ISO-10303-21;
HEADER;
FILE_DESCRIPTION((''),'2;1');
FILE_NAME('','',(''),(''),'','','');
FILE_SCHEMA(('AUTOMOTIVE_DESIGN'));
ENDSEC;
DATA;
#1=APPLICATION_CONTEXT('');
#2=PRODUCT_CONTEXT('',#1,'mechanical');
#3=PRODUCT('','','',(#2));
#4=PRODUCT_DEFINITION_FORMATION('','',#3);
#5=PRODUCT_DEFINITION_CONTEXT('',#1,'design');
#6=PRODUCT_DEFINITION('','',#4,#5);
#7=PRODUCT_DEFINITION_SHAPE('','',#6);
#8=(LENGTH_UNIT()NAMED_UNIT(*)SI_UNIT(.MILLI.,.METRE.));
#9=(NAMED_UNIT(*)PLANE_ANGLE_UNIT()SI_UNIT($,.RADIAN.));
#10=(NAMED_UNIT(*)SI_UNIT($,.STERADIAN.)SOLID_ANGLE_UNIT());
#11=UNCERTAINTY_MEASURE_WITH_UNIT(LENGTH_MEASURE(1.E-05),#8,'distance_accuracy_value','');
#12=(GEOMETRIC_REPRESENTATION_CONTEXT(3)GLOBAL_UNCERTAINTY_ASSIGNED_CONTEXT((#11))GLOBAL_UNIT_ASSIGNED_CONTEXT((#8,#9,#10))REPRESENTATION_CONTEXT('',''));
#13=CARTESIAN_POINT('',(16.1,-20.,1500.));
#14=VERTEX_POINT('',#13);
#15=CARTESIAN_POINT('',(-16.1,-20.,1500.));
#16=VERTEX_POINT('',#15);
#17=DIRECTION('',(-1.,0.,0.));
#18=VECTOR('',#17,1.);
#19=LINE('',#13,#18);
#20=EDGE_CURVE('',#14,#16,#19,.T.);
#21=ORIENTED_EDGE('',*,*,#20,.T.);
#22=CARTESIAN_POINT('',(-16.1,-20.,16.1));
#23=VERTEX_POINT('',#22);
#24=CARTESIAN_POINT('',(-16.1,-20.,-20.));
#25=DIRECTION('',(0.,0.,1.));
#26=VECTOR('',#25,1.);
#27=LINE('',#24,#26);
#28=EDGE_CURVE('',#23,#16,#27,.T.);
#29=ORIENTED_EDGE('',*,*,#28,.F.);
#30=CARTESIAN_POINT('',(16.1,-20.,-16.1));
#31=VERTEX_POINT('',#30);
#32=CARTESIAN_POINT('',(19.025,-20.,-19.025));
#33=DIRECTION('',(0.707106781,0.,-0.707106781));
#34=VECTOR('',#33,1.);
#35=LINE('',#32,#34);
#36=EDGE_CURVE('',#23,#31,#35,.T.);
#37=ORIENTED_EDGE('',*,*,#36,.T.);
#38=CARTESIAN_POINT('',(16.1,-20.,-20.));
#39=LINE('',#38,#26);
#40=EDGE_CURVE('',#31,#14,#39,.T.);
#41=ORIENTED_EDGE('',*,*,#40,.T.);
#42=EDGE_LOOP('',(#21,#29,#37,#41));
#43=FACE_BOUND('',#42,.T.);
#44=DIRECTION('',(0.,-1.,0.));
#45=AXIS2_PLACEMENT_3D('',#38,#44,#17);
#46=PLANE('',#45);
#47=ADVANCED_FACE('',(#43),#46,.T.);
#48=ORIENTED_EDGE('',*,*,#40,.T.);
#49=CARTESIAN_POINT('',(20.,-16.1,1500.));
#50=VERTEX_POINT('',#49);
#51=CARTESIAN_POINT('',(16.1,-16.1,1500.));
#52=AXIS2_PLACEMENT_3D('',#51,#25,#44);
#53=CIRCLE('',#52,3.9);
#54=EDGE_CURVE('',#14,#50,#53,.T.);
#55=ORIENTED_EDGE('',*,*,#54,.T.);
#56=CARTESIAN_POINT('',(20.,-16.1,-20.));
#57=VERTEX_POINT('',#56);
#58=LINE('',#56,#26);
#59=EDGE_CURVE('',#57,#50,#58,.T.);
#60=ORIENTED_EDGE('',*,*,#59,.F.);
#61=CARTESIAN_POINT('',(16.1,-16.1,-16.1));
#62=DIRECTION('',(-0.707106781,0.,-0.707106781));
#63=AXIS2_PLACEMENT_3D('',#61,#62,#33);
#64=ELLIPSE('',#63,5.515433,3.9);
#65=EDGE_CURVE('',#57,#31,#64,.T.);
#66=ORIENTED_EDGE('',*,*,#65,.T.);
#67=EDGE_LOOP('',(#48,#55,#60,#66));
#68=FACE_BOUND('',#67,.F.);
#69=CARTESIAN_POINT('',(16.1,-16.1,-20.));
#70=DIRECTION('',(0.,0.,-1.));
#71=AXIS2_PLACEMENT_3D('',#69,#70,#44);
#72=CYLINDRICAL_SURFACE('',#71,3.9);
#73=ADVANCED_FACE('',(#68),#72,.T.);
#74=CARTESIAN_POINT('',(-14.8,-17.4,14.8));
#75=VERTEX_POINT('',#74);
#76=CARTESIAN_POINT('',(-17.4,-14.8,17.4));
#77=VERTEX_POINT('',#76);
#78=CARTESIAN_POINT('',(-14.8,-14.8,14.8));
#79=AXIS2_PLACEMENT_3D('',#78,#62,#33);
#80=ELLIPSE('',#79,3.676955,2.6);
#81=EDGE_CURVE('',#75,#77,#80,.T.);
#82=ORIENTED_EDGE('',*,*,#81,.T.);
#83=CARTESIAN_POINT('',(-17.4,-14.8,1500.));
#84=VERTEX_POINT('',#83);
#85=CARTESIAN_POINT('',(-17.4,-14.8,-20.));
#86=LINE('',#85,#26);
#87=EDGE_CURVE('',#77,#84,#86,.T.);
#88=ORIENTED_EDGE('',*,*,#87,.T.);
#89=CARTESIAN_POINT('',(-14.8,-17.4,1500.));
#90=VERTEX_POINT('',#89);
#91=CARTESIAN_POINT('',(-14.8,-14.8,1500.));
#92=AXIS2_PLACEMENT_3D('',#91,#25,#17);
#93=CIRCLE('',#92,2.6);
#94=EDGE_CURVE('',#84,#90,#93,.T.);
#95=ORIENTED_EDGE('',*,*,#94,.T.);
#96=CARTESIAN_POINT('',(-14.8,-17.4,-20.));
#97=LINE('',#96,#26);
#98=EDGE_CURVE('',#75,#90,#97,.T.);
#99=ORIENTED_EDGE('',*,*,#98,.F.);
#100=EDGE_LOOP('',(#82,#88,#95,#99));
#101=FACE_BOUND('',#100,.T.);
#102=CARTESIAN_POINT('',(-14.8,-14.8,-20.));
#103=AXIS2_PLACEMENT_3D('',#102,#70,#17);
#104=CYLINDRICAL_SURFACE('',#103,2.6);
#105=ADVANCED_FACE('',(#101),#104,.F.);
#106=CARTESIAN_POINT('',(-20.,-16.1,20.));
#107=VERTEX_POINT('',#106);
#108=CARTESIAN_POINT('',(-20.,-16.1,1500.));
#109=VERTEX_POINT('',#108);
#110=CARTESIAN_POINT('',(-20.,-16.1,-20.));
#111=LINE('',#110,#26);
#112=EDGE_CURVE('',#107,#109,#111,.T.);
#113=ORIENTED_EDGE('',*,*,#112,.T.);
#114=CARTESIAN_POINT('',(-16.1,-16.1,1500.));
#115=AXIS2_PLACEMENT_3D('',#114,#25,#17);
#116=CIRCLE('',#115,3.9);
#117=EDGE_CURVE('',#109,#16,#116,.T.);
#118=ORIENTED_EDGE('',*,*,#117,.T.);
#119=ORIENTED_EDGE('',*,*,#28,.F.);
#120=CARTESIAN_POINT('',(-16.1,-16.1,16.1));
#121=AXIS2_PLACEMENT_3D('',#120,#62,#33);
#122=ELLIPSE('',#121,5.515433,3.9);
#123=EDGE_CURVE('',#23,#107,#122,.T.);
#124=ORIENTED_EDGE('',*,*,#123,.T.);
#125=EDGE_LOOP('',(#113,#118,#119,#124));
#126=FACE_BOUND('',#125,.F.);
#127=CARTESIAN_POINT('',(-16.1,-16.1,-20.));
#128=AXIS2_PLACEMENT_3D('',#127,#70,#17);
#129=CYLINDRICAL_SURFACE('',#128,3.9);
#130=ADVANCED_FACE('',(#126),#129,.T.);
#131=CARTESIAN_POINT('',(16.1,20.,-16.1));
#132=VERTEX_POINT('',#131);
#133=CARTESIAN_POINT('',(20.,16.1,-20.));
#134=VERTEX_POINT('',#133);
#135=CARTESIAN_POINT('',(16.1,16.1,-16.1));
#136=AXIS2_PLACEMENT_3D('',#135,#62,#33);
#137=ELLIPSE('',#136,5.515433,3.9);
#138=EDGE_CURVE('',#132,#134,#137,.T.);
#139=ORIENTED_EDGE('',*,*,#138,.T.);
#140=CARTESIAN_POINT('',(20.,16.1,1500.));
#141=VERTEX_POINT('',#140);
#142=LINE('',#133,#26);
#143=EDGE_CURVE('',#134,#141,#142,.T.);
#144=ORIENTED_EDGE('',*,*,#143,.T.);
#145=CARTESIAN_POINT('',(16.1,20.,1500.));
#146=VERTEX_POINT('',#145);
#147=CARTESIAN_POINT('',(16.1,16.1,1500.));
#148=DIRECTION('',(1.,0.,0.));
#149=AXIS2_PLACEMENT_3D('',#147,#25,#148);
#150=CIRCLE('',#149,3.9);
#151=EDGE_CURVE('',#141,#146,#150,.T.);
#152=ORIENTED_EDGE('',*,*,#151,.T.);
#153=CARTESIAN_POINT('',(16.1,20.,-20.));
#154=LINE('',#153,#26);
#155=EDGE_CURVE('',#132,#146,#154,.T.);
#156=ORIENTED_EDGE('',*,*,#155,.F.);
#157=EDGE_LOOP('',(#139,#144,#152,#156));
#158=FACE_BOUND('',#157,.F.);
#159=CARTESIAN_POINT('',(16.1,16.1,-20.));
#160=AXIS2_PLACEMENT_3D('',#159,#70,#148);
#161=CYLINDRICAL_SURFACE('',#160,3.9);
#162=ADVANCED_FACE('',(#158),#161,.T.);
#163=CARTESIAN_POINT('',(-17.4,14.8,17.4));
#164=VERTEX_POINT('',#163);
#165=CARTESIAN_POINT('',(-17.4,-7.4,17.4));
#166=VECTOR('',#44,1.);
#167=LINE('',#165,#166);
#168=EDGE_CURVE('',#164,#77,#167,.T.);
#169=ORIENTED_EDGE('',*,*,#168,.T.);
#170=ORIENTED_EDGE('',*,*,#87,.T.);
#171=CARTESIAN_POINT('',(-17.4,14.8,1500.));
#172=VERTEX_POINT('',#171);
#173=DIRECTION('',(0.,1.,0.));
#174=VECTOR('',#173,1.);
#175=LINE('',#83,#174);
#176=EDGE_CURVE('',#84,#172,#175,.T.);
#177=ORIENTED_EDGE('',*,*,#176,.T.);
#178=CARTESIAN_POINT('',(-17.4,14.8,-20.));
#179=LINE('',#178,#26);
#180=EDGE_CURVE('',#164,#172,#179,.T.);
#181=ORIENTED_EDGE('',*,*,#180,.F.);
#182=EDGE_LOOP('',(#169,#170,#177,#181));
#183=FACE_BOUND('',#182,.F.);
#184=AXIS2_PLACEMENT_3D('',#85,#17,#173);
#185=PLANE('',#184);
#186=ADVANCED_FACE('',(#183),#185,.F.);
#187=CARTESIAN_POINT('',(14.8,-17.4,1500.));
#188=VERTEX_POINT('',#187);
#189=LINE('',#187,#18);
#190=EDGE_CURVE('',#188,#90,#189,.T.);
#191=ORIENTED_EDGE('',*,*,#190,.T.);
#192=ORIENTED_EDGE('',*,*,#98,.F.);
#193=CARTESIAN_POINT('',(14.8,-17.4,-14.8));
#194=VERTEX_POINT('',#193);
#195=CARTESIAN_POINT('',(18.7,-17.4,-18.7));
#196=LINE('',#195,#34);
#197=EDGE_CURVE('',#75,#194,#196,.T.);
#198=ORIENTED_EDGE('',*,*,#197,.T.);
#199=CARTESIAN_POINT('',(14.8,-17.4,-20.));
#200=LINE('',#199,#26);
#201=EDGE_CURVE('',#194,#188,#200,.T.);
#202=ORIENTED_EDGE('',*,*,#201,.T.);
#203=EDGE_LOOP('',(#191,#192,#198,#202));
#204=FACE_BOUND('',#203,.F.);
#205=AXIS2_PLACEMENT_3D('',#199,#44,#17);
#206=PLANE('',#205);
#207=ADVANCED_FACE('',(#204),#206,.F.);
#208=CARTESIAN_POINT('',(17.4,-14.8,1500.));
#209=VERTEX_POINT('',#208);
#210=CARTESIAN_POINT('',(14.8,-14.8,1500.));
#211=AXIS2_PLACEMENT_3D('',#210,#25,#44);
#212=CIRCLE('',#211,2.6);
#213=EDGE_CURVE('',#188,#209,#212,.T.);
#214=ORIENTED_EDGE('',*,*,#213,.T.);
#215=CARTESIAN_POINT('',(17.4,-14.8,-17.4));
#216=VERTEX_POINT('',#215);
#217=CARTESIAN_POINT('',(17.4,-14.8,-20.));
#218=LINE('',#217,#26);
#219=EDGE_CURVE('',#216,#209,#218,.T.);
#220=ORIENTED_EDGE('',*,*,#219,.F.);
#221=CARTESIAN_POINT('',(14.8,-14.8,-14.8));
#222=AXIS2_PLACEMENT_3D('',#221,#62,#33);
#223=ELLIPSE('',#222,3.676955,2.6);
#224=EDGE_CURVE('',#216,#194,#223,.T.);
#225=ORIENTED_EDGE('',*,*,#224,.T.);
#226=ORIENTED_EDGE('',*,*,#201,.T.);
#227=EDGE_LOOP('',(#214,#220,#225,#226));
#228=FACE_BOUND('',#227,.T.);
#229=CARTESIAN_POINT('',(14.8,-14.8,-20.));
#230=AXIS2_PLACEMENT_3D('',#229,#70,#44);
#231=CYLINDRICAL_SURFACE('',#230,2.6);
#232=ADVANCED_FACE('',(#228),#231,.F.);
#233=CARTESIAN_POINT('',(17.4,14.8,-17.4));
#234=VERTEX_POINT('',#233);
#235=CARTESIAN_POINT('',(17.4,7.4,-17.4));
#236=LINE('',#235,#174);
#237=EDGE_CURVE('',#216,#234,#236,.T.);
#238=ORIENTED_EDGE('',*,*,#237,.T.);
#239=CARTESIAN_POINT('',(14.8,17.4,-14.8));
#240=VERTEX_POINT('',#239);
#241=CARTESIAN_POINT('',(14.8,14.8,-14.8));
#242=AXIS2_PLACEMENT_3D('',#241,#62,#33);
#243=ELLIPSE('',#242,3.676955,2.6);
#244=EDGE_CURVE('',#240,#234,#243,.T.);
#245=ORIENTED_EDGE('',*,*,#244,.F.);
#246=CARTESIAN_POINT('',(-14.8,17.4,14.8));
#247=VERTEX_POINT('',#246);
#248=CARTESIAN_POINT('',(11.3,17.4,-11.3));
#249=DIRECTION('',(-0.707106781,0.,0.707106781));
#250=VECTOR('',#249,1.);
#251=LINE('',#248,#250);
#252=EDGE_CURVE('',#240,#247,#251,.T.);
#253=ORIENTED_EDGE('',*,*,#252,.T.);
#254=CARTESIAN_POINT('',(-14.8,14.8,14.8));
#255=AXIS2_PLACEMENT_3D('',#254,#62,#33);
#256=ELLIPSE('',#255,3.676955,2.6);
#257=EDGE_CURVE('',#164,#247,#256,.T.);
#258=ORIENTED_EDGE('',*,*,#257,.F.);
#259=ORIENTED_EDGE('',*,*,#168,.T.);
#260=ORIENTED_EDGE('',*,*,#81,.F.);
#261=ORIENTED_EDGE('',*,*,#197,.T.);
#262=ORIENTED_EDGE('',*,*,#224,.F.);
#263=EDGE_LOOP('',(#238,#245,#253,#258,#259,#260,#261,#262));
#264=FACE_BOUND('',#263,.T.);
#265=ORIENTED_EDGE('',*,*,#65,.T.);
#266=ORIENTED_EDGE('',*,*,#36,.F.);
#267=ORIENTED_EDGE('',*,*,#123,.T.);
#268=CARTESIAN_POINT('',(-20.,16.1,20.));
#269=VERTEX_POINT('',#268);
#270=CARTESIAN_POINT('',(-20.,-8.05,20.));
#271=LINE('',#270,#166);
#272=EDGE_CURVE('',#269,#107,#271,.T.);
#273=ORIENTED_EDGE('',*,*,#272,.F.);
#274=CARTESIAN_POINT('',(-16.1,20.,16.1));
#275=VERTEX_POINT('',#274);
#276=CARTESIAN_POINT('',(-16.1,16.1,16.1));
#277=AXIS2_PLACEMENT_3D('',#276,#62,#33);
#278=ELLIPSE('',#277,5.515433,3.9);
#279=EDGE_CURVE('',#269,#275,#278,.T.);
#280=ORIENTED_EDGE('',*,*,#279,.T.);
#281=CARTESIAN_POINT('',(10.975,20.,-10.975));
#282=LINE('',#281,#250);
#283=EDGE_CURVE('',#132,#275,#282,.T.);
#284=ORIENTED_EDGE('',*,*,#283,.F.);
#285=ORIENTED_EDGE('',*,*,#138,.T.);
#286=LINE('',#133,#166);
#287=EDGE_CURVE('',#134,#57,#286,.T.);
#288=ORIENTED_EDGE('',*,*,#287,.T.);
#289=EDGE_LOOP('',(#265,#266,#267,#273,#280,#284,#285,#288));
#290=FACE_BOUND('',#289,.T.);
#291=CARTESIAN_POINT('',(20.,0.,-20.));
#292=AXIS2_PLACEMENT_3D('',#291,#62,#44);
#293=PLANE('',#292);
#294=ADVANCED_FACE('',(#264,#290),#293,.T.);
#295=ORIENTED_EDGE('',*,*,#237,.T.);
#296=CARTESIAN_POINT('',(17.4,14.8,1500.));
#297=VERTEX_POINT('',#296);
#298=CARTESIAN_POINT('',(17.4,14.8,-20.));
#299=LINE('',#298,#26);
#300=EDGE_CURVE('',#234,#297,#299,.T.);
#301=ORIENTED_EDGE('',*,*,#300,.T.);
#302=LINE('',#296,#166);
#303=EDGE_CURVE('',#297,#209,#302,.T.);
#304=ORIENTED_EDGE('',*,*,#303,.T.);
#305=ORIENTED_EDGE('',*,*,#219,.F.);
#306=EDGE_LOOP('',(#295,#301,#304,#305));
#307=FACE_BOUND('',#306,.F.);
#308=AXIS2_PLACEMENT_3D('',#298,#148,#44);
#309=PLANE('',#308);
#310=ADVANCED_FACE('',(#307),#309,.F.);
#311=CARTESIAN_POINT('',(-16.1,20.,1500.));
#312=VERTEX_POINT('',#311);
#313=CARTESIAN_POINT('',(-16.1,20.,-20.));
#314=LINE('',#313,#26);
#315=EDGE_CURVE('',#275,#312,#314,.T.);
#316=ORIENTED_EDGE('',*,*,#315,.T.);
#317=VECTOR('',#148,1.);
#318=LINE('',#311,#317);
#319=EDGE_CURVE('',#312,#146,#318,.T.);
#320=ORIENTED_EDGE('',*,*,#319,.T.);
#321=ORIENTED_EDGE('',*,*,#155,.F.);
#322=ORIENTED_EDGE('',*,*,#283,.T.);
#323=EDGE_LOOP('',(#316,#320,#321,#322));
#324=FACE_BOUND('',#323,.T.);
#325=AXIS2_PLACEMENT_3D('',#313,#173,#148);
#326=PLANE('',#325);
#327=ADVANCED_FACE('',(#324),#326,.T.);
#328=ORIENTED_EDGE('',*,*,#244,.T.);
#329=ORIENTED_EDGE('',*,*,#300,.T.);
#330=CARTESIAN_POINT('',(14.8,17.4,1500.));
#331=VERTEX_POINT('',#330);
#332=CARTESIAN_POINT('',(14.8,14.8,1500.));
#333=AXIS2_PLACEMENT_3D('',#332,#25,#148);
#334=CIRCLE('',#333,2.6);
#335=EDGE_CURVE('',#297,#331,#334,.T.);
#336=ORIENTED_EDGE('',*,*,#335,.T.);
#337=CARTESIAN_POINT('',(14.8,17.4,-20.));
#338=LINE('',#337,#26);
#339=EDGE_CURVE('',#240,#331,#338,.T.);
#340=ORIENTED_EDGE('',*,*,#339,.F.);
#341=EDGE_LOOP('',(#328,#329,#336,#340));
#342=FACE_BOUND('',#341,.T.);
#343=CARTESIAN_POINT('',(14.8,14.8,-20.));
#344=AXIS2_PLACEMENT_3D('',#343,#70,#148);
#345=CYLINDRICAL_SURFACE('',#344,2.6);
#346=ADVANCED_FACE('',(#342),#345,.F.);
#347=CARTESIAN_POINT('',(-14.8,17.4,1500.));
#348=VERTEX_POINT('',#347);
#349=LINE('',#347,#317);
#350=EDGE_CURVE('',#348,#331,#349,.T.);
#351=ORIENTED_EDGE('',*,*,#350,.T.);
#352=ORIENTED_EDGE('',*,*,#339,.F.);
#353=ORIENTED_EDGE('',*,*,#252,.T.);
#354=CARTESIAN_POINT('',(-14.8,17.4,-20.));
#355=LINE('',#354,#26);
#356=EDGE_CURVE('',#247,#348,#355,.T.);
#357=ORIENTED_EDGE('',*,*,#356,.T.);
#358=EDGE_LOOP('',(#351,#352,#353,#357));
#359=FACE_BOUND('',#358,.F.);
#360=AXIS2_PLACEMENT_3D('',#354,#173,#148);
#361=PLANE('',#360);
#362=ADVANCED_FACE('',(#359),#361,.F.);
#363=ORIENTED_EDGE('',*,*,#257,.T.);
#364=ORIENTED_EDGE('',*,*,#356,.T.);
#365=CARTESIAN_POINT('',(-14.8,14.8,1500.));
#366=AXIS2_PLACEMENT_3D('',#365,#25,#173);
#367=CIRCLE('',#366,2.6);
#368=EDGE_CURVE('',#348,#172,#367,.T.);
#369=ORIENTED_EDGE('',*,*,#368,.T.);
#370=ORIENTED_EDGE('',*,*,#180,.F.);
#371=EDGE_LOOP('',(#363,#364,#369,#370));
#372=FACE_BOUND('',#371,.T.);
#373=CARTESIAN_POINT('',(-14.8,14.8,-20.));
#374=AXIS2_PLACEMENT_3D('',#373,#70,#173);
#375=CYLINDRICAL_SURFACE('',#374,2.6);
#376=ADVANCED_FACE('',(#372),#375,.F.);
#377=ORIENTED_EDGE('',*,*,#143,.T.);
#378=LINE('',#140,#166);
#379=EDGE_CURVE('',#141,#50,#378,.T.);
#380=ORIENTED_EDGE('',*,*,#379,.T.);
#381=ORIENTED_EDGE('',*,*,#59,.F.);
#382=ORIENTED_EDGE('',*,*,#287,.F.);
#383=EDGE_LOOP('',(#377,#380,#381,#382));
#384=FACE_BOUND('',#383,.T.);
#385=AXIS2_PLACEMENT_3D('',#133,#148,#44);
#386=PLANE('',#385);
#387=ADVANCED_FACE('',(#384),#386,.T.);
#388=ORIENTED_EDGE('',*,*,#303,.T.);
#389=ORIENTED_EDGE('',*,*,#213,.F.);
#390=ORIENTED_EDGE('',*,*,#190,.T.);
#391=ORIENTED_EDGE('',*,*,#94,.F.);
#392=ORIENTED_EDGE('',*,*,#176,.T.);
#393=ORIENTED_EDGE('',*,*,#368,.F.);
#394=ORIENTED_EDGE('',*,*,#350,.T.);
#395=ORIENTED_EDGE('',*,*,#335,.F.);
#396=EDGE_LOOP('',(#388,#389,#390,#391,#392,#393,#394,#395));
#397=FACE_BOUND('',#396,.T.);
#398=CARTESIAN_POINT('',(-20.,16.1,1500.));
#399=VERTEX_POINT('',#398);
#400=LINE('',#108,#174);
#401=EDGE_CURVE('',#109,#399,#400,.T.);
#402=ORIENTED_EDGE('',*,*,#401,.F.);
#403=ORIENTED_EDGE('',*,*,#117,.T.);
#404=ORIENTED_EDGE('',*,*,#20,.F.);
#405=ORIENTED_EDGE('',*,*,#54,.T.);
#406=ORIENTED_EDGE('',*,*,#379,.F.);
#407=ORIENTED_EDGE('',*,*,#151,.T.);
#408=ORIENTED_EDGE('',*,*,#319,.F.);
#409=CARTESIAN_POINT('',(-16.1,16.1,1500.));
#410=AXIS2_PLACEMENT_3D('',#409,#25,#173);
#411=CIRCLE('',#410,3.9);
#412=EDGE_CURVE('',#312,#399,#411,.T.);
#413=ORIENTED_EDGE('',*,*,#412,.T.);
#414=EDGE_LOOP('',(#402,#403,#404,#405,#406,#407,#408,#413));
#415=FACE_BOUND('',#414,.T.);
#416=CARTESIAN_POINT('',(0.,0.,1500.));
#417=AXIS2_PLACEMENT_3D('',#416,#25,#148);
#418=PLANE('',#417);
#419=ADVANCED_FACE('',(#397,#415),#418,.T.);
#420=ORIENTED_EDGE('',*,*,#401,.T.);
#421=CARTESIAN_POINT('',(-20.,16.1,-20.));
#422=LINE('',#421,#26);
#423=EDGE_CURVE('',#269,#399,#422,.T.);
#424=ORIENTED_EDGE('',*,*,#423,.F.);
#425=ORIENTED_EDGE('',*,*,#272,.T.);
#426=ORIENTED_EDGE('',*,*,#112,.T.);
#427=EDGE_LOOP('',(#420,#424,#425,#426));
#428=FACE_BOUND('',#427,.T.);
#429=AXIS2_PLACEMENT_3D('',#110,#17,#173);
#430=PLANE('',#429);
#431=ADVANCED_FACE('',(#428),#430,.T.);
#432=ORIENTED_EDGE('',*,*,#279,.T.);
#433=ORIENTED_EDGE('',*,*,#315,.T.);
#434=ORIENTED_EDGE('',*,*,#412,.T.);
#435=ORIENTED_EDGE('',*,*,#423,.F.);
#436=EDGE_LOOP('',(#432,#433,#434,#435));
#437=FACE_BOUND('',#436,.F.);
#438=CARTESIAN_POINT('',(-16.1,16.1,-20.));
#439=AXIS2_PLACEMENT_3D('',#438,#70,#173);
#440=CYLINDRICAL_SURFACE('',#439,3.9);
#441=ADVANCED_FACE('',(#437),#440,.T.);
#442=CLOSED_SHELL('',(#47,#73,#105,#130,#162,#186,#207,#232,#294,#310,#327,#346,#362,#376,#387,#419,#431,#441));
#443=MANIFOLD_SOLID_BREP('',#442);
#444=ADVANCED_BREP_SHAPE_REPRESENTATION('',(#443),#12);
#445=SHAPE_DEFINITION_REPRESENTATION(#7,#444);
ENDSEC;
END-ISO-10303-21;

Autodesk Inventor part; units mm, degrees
ref_plane "Start plane" through (0, 0, -20) normal (0, 0, 1) x (1, 0, 0)
ref_plane "End plane" through (0, 0, 1500) normal (0, 0, 1) x (1, 0, 0)
sketch "Sketch" plane through (0, 0, 0) normal (0, 0, 1) x (1, 0, 0)
  line L0 (-20, -16.1) -> (-20, 16.1)
  line L1 (-16.1, 20) -> (16.1, 20)
  line L2 (20, 16.1) -> (20, -16.1)
  line L3 (16.1, -20) -> (-16.1, -20)
  arc A0 (-20, -16.1) -> (-16.1, -20) centre (-16.1, -16.1) ccw
  arc A1 (-16.1, 20) -> (-20, 16.1) centre (-16.1, 16.1) ccw
  arc A2 (20, 16.1) -> (16.1, 20) centre (16.1, 16.1) ccw
  arc A3 (16.1, -20) -> (20, -16.1) centre (16.1, -16.1) ccw
  line L4 (-14.8, 17.4) -> (14.8, 17.4)
  line L5 (17.4, 14.8) -> (17.4, -14.8)
  line L6 (14.8, -17.4) -> (-14.8, -17.4)
  line L7 (-17.4, -14.8) -> (-17.4, 14.8)
  line L8 (0, 29.1308) -> (0, -29.1308) construction
  line L9 (-29.1308, 0) -> (29.1308, 0) construction
  arc A4 (-17.4, -14.8) -> (-14.8, -17.4) centre (-14.8, -14.8) ccw
  arc A5 (-14.8, 17.4) -> (-17.4, 14.8) centre (-14.8, 14.8) ccw
  arc A6 (17.4, 14.8) -> (14.8, 17.4) centre (14.8, 14.8) ccw
  arc A7 (14.8, -17.4) -> (17.4, -14.8) centre (14.8, -14.8) ccw
  dimension "d7" = 3.9
  dimension "d10" = 40
  dimension "d11" = 40
  dimension "d12" = 2.6
  dimension "d15" = 20
  dimension "d16" = 20
  dimension "d19" = 2.6
  dimension "d20" = 2.6
extrude "Body" add sketch "Sketch" along normal up to surface (1520 mm away) from surface at -20
sketch "Sketch3" plane through (0, 0, 0) normal (0, 0, 1) x (1, 0, 0)
  line L0 (0, 0) -> (10, 0)
ref_plane "Work Plane3" through (0, 0, 0) normal (0, -1, 0) x (1, 0, 0)
sketch "Sketch4" plane through (0, 0, 0) normal (0, -1, 0) x (1, 0, 0)
  line L0 (-2, -20) -> (12, -20)
  line L1 (-2, 1500) -> (12, 1500)
  dimension "d18" = 1520
ref_plane "Work Plane4" through (20, 0, -20) normal (-0.7071, 0, -0.7071) x (-0.7071, 0, 0.7071)
split "Split1" plane through (20, 0, -20) removes the side toward (-0.7071, 0, -0.7071)
equation "\"d7\" = G_IR"
equation "\"d10\" = G_H"
equation "\"d11\" = G_W"
equation "\"d12\" = G_T"
equation "\"d15\" = 0.5 * d10"
equation "\"d16\" = 0.5 * d11"
equation "\"d19\" = G_T"
equation "\"d20\" = G_T"
equation "\"d3\" = G_L"
equation "\"G_W\" = 40"
equation "\"G_H\" = 40"
equation "\"G_T\" = 2.6"
equation "\"G_IR\" = 3.9"
equation "\"G_L\" = d18"
equation "\"G_OFFSET_END\" = 0"
properties part number "EN 10210-2 - 40 x 40 x 2.6 - 1520" material "Steel, Galvanized"
